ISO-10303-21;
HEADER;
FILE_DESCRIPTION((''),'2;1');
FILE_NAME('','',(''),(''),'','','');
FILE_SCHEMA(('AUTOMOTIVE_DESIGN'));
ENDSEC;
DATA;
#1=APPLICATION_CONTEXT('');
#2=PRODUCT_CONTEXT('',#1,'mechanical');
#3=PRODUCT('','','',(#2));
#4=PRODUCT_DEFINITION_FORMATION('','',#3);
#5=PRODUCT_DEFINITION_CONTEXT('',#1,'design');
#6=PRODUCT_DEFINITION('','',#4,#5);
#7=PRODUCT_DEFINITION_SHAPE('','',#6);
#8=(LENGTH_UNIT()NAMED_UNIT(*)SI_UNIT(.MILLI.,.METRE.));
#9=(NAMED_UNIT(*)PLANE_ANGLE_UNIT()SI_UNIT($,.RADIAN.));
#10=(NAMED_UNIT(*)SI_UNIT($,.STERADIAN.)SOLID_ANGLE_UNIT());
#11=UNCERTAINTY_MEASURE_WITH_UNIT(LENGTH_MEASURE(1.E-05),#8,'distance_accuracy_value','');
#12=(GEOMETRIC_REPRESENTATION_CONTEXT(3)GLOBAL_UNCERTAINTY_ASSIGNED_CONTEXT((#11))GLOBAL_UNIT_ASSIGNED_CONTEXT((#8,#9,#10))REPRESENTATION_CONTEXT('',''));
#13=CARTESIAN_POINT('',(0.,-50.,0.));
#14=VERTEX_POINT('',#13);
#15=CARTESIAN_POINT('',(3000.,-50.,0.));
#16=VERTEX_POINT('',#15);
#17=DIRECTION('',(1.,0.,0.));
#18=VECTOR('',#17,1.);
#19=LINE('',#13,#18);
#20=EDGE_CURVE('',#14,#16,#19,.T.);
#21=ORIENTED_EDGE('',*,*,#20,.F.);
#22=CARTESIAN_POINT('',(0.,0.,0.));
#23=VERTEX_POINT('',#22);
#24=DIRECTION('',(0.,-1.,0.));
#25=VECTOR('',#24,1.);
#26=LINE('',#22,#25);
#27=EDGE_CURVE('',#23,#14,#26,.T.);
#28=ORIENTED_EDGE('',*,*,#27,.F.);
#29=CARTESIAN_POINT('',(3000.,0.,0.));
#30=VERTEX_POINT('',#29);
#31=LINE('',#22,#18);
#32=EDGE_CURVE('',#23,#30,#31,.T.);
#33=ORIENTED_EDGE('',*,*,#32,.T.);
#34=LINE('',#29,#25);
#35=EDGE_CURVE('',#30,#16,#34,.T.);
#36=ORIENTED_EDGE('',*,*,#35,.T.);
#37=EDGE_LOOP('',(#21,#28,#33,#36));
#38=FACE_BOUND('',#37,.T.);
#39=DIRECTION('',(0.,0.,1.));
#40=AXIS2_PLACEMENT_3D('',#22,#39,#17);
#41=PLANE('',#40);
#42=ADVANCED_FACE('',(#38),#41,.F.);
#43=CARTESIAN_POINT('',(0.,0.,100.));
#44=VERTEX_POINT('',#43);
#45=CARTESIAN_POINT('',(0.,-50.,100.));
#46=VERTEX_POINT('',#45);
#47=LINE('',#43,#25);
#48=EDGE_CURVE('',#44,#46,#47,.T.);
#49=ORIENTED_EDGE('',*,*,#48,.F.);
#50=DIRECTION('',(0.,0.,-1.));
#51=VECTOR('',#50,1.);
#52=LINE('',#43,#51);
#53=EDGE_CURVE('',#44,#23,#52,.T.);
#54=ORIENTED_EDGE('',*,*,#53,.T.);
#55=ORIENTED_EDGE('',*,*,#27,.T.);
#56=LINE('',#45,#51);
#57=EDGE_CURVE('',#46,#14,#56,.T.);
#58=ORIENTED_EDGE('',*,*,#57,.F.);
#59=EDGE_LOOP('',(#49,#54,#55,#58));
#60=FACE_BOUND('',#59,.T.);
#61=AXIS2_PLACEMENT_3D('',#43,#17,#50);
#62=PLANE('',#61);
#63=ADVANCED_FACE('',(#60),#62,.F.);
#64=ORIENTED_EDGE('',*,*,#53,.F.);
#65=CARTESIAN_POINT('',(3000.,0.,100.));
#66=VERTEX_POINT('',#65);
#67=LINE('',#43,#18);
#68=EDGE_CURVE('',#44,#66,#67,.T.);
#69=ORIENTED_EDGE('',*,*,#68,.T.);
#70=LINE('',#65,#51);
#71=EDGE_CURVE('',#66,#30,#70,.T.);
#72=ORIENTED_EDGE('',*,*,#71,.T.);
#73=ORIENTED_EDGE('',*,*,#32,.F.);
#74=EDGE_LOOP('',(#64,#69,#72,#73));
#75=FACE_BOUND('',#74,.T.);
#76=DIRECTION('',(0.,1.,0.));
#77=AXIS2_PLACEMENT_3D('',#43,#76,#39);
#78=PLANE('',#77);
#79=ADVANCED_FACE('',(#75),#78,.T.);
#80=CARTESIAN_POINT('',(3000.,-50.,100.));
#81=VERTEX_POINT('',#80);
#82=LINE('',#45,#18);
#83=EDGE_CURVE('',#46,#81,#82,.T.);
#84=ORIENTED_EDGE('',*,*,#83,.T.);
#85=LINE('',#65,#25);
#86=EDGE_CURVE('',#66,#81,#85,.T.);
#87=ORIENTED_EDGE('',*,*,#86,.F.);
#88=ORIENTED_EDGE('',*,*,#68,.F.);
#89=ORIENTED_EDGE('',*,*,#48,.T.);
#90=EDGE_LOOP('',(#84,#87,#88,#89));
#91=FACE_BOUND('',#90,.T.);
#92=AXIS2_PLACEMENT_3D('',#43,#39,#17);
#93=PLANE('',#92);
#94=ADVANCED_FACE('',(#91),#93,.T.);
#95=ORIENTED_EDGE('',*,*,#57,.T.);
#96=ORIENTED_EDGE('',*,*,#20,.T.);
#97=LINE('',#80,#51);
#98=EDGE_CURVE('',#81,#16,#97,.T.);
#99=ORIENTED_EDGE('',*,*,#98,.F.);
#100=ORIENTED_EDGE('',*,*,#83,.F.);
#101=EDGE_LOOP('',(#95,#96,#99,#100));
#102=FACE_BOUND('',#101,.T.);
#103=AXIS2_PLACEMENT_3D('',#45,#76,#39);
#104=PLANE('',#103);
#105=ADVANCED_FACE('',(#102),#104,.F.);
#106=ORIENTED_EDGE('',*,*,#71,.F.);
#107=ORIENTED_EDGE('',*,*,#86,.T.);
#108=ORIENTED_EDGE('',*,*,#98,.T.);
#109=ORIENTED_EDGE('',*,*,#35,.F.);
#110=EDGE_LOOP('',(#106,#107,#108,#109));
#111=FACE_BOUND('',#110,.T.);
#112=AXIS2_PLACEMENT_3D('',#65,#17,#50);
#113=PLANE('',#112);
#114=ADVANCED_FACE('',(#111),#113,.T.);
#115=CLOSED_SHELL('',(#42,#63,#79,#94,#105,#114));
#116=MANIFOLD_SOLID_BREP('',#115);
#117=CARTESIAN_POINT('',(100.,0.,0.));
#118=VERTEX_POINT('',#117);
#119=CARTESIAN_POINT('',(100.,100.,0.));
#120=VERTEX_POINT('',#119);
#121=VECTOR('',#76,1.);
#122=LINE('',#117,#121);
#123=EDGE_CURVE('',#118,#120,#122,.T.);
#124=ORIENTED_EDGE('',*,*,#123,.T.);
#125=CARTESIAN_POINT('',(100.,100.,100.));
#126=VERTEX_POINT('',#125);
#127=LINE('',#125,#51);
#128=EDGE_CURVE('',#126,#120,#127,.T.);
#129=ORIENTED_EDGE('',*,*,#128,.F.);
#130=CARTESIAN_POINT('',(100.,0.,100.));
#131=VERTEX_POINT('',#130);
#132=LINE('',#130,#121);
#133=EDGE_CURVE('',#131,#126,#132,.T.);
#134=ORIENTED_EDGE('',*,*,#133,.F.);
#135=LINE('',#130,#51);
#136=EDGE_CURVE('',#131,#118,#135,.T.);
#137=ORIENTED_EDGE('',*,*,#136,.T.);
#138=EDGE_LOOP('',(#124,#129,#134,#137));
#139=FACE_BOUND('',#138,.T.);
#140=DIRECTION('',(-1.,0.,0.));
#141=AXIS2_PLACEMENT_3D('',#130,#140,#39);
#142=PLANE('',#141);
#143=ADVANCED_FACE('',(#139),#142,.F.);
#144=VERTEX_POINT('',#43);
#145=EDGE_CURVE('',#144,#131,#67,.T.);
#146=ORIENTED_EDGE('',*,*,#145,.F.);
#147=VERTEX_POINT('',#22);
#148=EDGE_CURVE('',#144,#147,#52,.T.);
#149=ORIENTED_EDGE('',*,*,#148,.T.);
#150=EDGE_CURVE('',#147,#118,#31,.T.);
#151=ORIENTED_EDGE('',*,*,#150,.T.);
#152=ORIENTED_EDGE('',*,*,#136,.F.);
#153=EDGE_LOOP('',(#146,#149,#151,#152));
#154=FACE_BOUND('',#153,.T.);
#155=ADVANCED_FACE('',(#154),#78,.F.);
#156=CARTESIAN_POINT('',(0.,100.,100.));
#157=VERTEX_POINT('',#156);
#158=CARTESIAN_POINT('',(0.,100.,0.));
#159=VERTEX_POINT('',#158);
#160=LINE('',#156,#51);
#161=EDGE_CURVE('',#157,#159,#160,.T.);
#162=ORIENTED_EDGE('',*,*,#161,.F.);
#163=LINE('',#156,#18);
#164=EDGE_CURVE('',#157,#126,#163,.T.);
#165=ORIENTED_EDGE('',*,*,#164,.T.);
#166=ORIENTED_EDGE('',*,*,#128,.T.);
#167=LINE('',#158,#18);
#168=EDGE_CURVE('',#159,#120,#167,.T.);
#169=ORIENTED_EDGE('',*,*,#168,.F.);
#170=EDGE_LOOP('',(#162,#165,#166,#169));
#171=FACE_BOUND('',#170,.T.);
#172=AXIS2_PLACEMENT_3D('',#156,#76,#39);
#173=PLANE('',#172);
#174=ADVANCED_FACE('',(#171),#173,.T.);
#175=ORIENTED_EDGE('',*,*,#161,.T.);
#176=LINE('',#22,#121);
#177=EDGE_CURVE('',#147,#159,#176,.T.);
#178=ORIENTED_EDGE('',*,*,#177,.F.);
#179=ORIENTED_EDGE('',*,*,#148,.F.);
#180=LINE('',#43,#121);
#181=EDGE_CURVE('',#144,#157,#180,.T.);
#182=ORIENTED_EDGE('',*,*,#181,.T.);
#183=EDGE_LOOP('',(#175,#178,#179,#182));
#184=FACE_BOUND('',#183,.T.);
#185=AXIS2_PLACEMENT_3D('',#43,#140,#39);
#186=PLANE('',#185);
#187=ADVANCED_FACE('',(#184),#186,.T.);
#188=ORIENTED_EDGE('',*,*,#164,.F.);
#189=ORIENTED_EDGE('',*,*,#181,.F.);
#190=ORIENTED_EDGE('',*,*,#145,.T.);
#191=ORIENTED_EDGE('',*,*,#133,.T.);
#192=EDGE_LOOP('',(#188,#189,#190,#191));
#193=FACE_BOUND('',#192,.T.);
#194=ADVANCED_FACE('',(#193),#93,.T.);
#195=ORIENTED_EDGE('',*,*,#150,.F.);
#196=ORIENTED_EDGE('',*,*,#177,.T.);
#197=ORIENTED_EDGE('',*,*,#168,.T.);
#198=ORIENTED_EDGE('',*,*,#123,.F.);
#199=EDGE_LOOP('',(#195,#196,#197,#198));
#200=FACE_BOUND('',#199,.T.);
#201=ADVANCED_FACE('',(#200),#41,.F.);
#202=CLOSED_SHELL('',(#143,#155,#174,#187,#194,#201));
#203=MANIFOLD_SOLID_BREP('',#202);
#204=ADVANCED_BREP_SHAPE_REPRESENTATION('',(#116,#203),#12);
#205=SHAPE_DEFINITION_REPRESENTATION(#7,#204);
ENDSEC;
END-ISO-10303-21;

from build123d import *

# Parameters (mm, degrees)
EXTRUDE_1_DEPTH = 100
SKETCH_1_3_W    = 100
SKETCH_1_3_H    = 100
EXTRUDE_2_DEPTH = 100


with BuildPart() as part:
    # ｽｹｯﾁ1 → ﾎﾞｽ - 押し出し1 (new body)
    with BuildSketch(Plane.XY):
        Polygon((100, 0), (0, 0), (0, -50), (3000, -50), (3000, 0), align=None)
    extrude(amount=EXTRUDE_1_DEPTH)


with BuildPart() as body_2:
    # ｽｹｯﾁ1<3> → ﾎﾞｽ - 押し出し2 (new body)
    with BuildSketch(Plane.XY):
        with Locations((50, 50)):
            Rectangle(SKETCH_1_3_W, SKETCH_1_3_H)
    extrude(amount=EXTRUDE_2_DEPTH)


solid = Compound([part.part, body_2.part])
